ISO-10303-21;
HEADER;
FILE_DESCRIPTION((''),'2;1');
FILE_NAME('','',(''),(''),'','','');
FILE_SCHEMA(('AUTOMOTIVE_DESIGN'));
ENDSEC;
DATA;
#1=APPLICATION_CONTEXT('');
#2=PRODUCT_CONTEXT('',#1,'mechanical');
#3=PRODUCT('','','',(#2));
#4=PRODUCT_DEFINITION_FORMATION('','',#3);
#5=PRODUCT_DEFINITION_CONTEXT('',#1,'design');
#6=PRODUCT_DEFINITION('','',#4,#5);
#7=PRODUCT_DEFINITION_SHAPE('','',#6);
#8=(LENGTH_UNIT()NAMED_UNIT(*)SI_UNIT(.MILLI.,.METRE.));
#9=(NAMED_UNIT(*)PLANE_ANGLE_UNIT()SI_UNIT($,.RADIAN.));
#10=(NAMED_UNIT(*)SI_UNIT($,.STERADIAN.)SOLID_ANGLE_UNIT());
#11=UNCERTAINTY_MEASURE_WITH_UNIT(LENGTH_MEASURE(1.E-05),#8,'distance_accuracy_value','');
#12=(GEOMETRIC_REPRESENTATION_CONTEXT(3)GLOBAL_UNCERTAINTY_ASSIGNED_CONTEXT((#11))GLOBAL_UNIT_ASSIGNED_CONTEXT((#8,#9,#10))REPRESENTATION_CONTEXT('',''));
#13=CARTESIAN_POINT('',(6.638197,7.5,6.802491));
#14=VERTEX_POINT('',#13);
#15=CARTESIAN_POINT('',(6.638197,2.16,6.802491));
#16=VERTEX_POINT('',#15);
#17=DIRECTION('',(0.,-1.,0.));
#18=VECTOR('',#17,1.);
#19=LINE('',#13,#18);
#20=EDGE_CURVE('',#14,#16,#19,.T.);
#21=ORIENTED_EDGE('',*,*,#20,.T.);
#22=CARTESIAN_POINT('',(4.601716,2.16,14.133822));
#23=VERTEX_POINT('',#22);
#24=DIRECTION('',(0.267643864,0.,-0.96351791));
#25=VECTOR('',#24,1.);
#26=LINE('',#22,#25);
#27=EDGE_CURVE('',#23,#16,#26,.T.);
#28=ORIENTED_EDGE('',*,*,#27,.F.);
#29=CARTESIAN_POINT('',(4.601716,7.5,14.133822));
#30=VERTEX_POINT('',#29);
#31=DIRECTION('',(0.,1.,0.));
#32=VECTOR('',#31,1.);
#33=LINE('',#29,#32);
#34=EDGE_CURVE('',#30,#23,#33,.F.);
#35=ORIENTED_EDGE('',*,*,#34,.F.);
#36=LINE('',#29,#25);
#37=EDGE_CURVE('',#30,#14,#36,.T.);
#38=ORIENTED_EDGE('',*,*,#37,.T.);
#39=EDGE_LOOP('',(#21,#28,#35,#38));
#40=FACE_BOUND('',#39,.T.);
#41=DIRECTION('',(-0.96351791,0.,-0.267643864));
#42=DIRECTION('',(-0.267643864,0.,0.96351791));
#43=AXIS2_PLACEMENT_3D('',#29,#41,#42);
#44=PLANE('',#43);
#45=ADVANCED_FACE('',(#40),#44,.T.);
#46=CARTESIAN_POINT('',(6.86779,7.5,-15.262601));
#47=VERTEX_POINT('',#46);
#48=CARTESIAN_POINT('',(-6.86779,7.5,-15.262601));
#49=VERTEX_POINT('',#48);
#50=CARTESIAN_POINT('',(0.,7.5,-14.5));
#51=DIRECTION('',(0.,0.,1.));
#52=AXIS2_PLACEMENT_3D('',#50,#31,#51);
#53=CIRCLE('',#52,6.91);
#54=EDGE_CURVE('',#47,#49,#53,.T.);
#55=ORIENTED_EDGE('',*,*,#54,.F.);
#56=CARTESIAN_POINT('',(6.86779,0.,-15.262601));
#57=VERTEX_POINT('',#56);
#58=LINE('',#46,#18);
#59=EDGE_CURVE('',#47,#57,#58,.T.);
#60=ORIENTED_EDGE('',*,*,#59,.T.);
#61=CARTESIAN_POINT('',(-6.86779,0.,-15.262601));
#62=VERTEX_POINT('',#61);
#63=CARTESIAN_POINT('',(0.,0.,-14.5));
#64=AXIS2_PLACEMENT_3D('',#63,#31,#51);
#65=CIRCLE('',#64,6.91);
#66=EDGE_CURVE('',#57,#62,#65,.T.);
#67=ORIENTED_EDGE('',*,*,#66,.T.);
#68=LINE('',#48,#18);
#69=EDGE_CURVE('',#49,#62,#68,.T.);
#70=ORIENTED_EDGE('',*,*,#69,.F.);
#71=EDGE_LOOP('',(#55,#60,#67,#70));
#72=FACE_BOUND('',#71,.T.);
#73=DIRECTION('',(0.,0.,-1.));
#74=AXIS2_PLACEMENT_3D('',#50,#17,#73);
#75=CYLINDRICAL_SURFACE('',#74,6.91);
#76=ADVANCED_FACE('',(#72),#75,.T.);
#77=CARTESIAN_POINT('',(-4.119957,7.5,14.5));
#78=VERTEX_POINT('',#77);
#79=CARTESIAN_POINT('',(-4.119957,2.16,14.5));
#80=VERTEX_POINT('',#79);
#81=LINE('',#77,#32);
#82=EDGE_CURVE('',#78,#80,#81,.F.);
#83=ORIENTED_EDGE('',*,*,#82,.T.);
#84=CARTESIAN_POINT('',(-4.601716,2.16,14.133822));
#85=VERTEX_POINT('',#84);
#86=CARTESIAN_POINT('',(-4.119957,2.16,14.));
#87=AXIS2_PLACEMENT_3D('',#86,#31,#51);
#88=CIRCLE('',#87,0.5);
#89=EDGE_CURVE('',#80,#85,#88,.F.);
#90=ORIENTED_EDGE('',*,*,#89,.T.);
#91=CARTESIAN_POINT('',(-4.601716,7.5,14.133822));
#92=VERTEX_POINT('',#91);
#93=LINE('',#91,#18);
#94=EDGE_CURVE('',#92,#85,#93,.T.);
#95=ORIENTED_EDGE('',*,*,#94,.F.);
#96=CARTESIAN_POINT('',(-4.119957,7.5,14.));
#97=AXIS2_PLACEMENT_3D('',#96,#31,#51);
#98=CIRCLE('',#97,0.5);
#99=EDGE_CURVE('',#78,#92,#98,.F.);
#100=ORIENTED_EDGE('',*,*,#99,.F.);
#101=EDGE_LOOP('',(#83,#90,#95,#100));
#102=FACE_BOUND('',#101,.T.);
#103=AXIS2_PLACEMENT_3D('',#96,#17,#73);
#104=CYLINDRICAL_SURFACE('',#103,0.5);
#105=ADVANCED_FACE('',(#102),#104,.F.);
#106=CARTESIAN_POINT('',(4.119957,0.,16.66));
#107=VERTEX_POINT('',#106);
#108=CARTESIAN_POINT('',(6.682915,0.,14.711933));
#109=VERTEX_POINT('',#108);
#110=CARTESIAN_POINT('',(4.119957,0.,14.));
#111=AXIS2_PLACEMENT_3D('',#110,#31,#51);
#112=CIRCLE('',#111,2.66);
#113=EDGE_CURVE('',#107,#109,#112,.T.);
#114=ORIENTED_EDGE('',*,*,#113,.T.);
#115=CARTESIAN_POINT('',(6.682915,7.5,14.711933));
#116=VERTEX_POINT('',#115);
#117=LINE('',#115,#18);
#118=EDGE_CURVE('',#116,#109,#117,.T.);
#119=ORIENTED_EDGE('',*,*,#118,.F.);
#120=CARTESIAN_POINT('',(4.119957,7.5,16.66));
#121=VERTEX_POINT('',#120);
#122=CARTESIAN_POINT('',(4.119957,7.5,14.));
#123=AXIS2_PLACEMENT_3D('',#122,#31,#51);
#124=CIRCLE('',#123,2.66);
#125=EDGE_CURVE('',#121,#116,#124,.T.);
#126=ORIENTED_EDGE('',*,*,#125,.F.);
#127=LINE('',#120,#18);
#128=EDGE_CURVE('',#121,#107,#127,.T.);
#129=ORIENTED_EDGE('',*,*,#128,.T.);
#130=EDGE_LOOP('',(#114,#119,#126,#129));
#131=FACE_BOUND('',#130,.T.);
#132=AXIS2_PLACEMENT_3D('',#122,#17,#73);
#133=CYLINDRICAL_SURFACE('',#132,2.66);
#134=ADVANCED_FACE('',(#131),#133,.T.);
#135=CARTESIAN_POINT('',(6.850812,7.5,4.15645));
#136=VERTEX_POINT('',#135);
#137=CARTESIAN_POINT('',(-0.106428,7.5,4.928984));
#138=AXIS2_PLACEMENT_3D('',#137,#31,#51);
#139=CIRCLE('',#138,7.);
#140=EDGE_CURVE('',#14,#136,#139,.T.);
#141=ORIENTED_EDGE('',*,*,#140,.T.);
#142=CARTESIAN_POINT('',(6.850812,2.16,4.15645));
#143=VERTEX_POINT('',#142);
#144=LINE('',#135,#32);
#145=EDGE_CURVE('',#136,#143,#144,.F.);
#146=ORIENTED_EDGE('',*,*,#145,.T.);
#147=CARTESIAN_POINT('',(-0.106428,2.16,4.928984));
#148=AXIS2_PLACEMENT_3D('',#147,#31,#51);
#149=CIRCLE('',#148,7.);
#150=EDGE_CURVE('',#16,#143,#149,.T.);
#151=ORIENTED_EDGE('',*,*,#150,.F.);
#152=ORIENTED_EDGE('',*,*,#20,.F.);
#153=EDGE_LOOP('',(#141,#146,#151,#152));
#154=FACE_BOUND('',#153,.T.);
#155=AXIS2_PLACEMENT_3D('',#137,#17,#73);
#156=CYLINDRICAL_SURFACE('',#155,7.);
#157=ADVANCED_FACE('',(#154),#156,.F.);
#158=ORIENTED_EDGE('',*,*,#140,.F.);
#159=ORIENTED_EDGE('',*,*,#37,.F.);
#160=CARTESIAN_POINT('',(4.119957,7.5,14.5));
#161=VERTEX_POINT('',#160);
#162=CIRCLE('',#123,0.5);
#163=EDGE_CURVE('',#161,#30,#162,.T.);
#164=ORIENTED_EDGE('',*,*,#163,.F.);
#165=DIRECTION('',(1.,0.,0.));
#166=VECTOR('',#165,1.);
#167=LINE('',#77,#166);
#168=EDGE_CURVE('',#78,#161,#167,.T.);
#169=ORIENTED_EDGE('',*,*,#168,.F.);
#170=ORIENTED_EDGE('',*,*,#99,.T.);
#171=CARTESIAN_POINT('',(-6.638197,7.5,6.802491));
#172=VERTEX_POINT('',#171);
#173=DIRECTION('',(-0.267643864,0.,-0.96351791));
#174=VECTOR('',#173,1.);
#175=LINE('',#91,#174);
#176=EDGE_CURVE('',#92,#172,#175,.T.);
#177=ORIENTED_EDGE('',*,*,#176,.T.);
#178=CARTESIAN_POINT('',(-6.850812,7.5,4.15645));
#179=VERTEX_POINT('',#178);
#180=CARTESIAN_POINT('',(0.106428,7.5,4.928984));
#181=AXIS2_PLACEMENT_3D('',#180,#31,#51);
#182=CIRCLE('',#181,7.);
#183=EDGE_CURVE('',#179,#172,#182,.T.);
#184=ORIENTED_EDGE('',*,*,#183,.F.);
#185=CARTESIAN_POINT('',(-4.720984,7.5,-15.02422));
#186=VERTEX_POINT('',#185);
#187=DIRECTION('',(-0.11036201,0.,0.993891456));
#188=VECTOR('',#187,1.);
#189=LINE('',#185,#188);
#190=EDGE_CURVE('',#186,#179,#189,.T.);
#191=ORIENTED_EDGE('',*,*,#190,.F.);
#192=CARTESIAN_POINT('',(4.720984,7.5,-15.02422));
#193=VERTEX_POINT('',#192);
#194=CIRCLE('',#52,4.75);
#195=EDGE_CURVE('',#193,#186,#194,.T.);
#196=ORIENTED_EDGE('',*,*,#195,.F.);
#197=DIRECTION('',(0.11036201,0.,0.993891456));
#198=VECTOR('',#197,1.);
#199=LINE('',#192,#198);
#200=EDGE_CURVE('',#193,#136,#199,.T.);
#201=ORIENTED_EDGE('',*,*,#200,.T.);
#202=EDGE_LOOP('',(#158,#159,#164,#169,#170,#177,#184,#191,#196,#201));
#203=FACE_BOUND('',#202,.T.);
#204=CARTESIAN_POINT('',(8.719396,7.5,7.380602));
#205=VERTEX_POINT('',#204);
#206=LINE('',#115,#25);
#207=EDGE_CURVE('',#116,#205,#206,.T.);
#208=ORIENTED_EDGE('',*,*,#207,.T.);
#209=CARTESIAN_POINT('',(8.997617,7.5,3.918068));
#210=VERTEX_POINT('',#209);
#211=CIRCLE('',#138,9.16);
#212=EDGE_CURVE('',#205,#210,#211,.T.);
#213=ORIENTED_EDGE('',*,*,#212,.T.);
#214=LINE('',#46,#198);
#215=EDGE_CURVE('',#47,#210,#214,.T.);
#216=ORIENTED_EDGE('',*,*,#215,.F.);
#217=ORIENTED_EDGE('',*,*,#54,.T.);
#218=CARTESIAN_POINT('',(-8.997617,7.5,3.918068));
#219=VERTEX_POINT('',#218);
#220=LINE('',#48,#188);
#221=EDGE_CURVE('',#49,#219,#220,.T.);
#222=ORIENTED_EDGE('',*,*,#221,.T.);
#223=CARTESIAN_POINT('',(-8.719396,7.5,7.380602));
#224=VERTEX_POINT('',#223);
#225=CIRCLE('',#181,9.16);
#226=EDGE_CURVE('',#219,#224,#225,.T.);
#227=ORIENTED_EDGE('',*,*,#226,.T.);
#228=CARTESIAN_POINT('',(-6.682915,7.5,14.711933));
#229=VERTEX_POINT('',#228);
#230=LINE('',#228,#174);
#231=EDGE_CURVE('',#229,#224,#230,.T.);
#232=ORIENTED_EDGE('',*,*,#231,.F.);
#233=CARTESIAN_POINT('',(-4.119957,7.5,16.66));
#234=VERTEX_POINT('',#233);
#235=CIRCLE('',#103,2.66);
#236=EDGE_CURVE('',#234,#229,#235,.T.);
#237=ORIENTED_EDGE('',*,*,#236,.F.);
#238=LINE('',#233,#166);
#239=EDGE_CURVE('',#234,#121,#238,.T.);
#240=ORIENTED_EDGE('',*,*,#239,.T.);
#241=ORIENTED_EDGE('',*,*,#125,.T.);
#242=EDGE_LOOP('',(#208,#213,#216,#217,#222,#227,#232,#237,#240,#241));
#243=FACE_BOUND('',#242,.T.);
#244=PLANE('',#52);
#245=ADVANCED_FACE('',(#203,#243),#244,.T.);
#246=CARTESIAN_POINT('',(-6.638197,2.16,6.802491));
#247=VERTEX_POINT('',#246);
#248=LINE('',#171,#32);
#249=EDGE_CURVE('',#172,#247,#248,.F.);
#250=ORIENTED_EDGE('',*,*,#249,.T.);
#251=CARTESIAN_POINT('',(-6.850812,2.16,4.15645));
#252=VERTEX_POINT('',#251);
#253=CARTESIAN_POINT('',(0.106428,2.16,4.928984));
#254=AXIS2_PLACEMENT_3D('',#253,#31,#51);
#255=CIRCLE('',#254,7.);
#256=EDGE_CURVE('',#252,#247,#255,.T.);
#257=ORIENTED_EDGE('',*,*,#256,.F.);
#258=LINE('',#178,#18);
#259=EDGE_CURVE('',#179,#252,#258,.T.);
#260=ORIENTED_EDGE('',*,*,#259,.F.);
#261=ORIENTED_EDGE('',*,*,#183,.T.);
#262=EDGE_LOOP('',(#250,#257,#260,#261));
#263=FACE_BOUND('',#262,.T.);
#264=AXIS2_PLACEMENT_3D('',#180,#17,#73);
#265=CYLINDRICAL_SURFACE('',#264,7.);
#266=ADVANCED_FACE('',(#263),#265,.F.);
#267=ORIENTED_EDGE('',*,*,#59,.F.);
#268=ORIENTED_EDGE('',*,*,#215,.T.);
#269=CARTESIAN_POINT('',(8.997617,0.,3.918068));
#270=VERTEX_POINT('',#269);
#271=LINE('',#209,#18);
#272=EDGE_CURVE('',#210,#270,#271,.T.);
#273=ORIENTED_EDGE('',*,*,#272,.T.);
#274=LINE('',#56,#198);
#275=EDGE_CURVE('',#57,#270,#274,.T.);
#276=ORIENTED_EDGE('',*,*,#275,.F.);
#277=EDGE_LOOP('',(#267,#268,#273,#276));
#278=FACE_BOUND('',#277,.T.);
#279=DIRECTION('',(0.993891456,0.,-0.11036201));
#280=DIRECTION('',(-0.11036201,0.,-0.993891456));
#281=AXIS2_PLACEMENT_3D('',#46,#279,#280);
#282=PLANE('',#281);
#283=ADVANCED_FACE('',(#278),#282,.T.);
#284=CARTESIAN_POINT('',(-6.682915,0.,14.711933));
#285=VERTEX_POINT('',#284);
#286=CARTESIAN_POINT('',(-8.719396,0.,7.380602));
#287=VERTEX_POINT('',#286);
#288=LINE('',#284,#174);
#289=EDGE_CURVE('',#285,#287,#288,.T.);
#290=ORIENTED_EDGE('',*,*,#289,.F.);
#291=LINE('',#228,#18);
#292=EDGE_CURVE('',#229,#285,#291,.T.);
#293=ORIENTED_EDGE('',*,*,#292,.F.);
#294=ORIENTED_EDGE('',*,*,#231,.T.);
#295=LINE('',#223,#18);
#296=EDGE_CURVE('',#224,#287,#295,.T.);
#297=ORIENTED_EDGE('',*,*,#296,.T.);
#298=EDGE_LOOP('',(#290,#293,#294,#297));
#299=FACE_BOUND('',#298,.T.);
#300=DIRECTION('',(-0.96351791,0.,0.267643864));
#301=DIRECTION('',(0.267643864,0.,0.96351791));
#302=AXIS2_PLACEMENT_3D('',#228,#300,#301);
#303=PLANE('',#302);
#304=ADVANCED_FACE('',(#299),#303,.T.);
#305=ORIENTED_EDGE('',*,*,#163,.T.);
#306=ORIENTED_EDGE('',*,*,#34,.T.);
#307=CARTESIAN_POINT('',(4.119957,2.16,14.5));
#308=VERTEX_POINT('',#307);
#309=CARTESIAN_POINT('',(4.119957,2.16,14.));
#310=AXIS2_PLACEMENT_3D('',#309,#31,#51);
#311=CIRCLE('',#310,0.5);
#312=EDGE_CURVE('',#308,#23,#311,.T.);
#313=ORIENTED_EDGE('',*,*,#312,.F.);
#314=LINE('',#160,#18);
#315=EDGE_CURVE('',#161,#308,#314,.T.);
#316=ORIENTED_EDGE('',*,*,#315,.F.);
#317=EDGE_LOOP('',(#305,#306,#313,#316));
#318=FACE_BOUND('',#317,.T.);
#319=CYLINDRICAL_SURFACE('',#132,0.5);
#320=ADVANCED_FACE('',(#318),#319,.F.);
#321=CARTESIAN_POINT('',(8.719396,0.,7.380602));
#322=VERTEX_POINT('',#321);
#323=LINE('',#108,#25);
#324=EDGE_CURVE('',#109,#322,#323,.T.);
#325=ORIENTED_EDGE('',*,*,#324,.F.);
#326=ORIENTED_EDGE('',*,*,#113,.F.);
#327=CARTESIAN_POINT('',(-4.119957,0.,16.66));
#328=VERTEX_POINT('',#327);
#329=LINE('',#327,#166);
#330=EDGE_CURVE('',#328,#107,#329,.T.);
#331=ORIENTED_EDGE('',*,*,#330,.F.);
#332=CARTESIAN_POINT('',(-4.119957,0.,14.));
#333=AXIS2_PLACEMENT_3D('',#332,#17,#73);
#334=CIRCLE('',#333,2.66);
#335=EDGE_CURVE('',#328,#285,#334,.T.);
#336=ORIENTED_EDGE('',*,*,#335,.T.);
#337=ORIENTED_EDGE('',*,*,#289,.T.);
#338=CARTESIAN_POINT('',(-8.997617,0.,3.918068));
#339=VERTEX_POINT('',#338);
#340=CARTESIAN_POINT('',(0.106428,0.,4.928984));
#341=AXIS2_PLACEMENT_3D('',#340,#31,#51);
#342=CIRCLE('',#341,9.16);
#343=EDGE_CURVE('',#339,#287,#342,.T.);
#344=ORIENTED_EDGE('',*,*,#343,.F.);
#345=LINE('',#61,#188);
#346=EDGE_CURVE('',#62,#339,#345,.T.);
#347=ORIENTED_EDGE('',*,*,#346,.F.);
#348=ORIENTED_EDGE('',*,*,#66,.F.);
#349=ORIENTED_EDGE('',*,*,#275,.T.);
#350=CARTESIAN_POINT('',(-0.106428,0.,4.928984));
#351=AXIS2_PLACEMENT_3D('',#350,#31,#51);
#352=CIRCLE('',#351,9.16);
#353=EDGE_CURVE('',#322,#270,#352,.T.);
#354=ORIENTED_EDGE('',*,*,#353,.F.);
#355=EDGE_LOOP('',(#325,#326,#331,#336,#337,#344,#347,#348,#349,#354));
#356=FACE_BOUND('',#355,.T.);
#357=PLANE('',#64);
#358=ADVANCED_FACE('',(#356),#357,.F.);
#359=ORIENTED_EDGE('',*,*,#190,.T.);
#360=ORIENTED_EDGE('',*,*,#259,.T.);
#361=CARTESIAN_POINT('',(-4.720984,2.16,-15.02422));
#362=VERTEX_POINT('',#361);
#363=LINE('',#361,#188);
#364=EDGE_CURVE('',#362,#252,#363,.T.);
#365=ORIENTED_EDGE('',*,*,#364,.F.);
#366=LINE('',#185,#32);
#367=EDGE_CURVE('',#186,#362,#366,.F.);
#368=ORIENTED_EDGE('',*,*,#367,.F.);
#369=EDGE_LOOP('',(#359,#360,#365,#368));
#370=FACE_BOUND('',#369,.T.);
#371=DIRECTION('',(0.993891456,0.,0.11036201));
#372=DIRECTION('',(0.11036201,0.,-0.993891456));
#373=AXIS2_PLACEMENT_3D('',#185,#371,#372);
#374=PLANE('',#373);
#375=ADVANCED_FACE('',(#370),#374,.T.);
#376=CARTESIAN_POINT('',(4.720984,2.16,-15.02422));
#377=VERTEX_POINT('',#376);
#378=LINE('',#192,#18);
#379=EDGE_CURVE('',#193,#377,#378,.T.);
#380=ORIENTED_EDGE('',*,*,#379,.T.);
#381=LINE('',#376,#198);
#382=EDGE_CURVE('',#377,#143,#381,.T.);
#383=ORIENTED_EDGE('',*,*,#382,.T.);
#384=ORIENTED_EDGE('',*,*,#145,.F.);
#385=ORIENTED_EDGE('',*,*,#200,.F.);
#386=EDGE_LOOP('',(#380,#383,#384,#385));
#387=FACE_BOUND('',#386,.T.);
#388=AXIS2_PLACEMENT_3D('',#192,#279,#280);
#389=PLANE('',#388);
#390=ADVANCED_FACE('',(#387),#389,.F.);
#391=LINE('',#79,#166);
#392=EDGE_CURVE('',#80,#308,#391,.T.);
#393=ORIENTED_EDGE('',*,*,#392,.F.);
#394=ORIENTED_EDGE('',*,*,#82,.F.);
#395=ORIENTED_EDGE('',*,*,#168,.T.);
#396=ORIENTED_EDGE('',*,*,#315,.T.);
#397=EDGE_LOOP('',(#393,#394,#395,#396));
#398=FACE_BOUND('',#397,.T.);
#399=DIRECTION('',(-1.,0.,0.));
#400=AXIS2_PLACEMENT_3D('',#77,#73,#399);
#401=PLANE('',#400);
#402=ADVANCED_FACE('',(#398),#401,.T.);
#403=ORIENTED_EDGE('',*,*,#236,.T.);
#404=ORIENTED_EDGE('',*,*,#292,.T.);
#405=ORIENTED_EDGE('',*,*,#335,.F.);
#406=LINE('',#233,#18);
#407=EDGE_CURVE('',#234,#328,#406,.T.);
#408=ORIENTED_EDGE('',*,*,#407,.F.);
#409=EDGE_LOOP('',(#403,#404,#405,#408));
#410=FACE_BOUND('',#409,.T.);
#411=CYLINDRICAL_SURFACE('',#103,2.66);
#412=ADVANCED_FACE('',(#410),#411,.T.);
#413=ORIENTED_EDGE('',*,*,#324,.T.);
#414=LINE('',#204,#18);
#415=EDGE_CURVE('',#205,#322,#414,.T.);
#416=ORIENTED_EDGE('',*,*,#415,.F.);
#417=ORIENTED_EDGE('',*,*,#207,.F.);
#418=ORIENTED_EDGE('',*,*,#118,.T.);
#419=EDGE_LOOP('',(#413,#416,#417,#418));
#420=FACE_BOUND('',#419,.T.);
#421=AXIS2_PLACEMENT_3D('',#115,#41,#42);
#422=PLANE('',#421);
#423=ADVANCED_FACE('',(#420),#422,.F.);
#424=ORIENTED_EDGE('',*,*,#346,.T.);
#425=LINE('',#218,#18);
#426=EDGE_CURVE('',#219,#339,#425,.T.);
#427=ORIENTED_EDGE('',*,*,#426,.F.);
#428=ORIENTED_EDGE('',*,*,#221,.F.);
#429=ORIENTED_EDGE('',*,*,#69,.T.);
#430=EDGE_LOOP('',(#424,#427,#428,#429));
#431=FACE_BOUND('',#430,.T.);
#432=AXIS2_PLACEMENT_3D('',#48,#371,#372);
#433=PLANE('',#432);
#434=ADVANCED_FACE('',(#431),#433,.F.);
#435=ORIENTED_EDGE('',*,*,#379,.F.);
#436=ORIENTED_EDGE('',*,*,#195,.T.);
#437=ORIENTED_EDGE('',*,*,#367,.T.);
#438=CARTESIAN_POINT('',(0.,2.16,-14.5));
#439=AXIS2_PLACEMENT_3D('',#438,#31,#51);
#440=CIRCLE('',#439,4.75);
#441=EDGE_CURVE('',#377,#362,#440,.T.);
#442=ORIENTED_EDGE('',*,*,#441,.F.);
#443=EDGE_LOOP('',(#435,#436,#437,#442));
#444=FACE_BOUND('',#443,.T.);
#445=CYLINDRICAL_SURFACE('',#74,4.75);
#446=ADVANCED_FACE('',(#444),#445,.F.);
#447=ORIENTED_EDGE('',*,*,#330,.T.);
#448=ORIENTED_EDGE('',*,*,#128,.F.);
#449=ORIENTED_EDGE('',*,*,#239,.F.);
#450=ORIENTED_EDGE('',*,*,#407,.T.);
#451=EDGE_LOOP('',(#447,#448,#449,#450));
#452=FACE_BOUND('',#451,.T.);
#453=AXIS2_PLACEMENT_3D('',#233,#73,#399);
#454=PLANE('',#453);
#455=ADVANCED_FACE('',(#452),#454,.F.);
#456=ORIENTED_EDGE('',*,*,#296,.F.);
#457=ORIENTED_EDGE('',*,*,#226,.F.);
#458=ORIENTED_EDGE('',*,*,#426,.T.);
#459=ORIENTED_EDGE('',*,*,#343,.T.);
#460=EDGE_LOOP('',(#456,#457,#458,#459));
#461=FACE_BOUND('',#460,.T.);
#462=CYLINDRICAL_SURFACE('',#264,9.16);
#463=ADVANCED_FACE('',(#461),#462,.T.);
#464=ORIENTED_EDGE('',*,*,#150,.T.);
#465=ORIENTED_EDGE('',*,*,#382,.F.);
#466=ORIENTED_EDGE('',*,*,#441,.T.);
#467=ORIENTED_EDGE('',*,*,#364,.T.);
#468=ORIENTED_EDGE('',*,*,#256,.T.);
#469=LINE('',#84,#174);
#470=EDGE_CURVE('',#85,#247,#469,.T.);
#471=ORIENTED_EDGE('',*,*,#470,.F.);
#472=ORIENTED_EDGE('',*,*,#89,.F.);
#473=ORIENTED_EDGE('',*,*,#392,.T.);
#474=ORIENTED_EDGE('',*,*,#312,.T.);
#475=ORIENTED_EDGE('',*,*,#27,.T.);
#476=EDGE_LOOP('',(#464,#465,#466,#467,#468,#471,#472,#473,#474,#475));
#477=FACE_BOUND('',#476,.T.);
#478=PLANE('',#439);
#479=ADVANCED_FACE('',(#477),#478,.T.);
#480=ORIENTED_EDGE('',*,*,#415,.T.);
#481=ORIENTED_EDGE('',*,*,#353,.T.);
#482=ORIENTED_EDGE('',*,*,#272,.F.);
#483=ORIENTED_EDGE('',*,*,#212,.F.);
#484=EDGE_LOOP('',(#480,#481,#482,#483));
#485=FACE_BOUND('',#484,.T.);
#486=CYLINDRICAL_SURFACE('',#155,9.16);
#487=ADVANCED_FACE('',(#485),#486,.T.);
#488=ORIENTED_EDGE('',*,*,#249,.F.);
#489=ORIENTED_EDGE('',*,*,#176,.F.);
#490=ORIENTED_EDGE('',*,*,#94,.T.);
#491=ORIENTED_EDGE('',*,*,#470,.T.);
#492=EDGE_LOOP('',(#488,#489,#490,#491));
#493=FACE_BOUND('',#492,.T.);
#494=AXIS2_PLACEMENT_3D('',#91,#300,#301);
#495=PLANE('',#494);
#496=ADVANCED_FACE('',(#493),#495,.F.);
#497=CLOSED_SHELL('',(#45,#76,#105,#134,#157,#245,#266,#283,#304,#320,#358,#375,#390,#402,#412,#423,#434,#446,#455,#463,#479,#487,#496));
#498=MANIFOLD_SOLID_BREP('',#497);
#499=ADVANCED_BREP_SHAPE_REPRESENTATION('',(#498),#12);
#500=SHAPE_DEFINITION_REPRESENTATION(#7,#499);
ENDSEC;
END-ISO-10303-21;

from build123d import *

# Parameters (mm, degrees)
BOSS_EXTRUDE3_DEPTH = 7.5
SHELL1_T            = -2.16


with BuildPart() as part:
    # Sketch1 → Boss-Extrude3 (new body)
    with BuildSketch(Plane(origin=(0, 0, 0), x_dir=(1, 0, 0), z_dir=(0, 1, 0))):
        with BuildLine():
            Line((6.867789963, 15.262601487), (8.997617328, -3.918067904))
            ThreePointArc((8.997617328, -3.918067904), (9.024143463, -5.662644076), (8.71939564, -7.380601705))
            Line((8.71939564, -7.380601705), (6.682914815, -14.711932678))
            ThreePointArc((6.682914815, -14.711932678), (5.729593637, -16.117704054), (4.119957175, -16.66))
            Line((4.119957175, -16.66), (-4.119957175, -16.66))
            ThreePointArc((-4.119957175, -16.66), (-5.729593637, -16.117704054), (-6.682914815, -14.711932678))
            Line((-6.682914815, -14.711932678), (-8.71939564, -7.380601705))
            ThreePointArc((-8.71939564, -7.380601705), (-9.024143463, -5.662644076), (-8.997617328, -3.918067904))
            Line((-8.997617328, -3.918067904), (-6.867789963, 15.262601487))
            ThreePointArc((-6.867789963, 15.262601487), (0, 21.41), (6.867789963, 15.262601487))
        make_face()
    extrude(amount=BOSS_EXTRUDE3_DEPTH)

    # Shell1
    shell1_openings = [part.faces().sort_by_distance(p)[0] for p in [
        (0, 7.5, -1.411749104),
    ]]
    offset(amount=SHELL1_T, openings=shell1_openings, kind=Kind.INTERSECTION)


solid = part.part
